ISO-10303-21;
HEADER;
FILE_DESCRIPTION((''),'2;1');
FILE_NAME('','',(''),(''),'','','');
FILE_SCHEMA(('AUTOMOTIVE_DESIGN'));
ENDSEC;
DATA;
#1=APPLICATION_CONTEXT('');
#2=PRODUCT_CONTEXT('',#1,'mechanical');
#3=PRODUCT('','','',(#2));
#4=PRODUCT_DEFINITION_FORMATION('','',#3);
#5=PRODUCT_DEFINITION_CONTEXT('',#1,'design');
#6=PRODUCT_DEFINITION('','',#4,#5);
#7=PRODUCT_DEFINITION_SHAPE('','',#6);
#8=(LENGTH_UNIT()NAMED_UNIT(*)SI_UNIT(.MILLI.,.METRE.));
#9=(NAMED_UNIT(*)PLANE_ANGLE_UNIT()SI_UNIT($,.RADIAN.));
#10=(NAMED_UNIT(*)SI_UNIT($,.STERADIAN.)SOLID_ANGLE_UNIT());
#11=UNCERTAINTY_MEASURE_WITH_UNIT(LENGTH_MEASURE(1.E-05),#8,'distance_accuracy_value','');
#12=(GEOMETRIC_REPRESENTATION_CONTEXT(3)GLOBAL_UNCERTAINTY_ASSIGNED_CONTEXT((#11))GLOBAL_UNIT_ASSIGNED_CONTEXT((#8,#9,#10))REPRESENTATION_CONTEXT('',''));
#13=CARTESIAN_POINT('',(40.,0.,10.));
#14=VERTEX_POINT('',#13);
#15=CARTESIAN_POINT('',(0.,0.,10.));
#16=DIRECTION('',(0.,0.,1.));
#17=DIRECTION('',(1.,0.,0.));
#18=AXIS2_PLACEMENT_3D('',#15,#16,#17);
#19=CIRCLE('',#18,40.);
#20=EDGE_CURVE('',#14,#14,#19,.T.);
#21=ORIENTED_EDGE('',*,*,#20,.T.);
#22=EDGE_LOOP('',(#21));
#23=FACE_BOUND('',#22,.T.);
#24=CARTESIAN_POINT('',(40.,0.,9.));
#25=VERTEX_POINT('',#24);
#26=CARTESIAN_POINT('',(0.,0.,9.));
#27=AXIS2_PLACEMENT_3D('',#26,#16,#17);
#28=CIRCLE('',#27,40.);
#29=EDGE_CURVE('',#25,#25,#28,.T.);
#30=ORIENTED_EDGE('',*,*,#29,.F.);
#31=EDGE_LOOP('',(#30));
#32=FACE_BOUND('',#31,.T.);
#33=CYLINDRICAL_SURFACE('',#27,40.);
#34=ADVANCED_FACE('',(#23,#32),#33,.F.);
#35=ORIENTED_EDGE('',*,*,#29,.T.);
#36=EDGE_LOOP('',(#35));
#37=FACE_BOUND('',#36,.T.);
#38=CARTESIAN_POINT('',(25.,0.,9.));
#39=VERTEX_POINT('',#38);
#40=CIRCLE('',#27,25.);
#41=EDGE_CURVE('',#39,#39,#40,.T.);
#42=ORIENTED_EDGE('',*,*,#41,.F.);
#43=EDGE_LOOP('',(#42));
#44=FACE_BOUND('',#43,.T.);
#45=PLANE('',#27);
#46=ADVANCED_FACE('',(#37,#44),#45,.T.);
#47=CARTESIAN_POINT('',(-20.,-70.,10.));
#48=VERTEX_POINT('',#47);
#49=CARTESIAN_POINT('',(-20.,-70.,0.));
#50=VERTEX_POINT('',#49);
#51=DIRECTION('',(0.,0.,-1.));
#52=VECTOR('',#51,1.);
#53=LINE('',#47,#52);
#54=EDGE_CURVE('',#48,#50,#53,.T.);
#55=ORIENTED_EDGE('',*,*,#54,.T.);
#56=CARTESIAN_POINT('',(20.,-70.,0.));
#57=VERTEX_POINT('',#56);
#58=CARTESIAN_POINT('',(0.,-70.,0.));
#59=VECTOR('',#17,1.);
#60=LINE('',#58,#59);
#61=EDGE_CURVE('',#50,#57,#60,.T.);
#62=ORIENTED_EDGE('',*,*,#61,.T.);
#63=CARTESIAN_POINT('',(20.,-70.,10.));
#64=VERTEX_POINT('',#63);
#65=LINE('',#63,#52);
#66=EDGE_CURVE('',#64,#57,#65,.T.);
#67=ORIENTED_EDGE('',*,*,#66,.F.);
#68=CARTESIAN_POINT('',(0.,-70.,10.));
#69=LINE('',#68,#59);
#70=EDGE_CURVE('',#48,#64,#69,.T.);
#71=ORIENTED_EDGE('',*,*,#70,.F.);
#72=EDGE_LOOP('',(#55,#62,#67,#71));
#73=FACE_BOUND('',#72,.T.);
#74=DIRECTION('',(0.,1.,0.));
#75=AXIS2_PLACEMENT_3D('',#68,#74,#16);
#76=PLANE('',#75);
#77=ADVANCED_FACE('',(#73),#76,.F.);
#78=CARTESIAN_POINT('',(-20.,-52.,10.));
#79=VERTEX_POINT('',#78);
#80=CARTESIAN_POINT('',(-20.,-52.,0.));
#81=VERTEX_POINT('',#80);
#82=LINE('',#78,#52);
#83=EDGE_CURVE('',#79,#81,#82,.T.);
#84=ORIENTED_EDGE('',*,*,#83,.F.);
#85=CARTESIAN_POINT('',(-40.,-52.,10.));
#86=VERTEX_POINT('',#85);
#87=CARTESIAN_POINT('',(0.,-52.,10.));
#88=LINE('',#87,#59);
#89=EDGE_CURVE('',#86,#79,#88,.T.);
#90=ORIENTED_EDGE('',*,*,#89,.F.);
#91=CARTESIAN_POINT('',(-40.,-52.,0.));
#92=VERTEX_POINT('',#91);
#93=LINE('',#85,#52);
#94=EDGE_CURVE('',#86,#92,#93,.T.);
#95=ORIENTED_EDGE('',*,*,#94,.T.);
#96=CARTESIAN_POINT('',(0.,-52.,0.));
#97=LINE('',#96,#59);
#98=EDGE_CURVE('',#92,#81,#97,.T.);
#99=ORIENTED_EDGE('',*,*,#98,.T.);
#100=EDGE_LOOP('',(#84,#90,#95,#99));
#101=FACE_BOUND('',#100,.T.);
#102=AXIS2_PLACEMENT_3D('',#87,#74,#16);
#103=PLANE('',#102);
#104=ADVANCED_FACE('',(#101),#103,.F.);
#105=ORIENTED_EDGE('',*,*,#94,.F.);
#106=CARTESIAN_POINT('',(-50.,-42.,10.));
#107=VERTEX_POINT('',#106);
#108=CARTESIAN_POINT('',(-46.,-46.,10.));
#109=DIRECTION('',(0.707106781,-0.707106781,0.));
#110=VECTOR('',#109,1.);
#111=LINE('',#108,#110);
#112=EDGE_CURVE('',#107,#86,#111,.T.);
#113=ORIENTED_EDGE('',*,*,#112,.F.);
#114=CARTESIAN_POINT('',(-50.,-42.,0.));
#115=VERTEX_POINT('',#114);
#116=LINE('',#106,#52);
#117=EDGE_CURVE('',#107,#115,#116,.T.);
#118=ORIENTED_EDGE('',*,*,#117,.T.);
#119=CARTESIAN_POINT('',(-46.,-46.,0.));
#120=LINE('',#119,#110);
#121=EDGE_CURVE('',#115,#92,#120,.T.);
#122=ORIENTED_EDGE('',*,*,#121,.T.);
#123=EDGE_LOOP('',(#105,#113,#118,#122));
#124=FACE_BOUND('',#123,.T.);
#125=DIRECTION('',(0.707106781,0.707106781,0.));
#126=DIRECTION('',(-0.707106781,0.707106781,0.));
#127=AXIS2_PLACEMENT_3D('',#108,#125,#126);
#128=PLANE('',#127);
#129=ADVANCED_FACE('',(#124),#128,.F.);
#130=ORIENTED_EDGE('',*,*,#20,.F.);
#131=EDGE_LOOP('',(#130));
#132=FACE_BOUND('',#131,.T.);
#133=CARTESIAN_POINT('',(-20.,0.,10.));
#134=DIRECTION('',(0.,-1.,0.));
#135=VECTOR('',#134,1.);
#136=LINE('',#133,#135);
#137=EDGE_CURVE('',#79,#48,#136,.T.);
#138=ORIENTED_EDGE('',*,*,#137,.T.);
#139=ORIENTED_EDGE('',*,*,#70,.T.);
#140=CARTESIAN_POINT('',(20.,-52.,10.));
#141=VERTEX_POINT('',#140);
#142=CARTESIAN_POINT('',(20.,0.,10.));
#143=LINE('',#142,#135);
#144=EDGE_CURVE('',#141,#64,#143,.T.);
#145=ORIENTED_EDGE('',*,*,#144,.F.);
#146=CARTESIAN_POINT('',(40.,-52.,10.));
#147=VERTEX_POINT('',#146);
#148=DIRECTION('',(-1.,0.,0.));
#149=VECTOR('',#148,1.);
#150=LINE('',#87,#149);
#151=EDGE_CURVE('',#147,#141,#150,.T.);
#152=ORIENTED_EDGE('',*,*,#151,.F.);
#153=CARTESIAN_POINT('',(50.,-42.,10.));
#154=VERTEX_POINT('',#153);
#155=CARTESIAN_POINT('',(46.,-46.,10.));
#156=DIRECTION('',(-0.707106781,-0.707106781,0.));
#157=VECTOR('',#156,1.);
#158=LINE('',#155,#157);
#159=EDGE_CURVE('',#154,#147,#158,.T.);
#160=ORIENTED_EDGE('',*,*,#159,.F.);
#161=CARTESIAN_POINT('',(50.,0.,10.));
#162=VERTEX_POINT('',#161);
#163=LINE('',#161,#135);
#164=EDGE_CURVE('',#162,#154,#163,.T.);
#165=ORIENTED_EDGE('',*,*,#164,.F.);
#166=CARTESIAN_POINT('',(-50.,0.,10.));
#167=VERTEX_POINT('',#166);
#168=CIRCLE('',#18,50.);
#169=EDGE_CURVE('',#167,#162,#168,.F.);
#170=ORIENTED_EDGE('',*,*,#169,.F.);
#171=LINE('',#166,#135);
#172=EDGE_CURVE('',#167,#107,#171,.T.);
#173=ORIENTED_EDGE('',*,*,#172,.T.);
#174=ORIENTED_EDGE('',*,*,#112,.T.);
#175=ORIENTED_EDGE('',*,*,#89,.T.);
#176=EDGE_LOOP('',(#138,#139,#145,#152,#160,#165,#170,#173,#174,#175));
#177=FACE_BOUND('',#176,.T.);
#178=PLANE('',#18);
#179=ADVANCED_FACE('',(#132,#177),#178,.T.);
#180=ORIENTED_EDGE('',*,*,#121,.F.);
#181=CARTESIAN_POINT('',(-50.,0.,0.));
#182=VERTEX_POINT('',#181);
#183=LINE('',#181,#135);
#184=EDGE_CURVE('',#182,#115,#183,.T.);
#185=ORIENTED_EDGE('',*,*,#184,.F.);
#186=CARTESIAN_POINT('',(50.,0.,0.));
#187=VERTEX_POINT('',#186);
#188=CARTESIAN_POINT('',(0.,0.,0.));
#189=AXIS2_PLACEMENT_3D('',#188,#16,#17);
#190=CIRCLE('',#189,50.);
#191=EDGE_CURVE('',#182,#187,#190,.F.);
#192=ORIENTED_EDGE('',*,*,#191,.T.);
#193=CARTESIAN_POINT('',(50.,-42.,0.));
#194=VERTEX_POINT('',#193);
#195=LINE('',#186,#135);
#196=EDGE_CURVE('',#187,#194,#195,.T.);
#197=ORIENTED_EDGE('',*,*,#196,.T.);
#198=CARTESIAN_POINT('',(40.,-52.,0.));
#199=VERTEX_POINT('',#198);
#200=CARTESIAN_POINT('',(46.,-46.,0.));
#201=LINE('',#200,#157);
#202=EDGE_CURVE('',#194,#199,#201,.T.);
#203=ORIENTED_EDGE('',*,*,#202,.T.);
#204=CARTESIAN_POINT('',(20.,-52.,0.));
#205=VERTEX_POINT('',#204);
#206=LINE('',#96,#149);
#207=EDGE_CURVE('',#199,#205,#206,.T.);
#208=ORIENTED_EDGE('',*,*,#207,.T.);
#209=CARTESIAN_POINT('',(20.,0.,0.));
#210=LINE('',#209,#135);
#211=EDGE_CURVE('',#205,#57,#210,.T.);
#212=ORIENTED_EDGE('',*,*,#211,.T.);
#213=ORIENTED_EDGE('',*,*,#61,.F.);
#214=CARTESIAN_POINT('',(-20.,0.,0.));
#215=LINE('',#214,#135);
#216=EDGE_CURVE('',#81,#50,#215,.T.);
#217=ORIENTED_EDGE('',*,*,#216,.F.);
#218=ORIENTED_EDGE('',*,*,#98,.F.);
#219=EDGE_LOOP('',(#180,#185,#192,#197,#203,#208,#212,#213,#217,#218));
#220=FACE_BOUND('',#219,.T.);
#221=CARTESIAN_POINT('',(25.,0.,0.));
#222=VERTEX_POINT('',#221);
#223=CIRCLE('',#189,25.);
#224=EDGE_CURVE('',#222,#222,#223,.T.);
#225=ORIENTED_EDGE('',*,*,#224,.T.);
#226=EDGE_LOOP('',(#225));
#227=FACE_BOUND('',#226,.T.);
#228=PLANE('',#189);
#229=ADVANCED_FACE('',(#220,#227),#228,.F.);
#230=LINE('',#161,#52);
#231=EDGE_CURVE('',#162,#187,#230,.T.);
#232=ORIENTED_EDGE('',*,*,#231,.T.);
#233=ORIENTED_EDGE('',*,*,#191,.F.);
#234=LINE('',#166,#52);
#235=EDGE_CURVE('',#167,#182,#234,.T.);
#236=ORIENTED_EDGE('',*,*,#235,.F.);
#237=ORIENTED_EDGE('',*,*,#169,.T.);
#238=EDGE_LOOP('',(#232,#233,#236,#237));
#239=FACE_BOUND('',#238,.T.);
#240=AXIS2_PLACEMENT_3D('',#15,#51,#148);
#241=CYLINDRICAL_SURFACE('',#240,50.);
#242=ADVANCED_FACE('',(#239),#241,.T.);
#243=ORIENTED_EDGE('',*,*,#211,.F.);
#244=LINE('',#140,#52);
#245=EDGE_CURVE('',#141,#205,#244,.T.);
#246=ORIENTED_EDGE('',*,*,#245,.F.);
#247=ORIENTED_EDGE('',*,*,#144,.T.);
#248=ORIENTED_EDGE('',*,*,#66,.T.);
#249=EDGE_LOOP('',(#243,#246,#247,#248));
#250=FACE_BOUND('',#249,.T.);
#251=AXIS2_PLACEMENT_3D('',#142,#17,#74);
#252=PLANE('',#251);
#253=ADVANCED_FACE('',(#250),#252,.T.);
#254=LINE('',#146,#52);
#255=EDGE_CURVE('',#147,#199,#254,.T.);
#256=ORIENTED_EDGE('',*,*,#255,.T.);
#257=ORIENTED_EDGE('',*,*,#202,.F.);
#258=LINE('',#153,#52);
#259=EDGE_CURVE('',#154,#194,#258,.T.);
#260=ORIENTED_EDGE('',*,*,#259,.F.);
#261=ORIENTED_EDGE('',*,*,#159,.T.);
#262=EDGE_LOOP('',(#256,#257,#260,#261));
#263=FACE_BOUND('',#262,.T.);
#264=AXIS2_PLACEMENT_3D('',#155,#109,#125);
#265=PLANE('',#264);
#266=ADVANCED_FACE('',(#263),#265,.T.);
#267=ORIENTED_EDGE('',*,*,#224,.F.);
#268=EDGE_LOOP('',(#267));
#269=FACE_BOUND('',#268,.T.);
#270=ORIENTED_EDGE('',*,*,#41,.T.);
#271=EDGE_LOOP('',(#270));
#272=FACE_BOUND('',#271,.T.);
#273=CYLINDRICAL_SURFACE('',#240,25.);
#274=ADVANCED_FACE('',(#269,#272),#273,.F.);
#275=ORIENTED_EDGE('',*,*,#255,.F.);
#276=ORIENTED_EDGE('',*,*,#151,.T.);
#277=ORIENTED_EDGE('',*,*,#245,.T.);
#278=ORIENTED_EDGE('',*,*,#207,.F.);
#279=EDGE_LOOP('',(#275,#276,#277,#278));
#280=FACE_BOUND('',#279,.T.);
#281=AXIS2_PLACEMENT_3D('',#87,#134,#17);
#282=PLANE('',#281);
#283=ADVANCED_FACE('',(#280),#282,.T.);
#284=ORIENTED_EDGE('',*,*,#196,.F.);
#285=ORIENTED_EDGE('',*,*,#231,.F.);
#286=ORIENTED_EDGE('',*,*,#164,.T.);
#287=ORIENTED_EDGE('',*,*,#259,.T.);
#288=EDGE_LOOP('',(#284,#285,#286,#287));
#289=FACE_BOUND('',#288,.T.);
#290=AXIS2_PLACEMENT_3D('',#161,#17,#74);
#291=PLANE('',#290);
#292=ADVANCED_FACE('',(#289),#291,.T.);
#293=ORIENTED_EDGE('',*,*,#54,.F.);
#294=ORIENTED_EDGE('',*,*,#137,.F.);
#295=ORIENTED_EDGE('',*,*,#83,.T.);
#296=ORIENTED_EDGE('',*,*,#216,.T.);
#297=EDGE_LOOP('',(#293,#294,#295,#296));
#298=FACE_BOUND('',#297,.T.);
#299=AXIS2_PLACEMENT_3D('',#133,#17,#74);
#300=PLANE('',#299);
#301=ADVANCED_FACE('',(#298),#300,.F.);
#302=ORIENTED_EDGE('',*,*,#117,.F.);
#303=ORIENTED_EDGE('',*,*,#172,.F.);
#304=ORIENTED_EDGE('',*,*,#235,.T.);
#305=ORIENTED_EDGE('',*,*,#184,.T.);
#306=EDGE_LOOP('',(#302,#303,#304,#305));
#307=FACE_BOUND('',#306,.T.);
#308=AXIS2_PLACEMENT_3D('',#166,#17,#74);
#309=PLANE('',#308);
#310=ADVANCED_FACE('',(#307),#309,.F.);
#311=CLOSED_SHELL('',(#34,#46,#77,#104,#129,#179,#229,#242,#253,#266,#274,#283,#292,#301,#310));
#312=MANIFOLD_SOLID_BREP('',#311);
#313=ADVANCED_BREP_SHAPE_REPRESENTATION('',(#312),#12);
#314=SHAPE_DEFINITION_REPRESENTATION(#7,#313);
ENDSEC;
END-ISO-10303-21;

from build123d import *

# Parameters (mm, degrees)
SKETCH_1_R          = 25
EXTRUDE_1_DEPTH     = 10
CUT_EXTRUDE_START   = 10
SKETCH_1_4_R        = 40
CUT_EXTRUDE_1_DEPTH = 1


with BuildPart() as part:
    # 草圖1 → 填料-伸長1 (new body)
    with BuildSketch(Plane.XY):
        with BuildLine():
            Line((-50, 0), (-50, -42))
            Line((-50, -42), (-40, -52))
            Line((-40, -52), (-20, -52))
            Line((-20, -52), (-20, -70))
            Line((-20, -70), (20, -70))
            Line((20, -70), (20, -52))
            Line((20, -52), (40, -52))
            Line((40, -52), (50, -42))
            Line((50, -42), (50, 0))
            ThreePointArc((50, 0), (0, 50), (-50, 0))
        make_face()
        Circle(SKETCH_1_R, mode=Mode.SUBTRACT)
    extrude(amount=EXTRUDE_1_DEPTH)

    # 草圖1<4> → 除料-伸長1 (cut)
    with BuildSketch(Plane.XY.offset(CUT_EXTRUDE_START)):
        Circle(SKETCH_1_4_R)
    extrude(amount=-CUT_EXTRUDE_1_DEPTH, mode=Mode.SUBTRACT)


solid = part.part
